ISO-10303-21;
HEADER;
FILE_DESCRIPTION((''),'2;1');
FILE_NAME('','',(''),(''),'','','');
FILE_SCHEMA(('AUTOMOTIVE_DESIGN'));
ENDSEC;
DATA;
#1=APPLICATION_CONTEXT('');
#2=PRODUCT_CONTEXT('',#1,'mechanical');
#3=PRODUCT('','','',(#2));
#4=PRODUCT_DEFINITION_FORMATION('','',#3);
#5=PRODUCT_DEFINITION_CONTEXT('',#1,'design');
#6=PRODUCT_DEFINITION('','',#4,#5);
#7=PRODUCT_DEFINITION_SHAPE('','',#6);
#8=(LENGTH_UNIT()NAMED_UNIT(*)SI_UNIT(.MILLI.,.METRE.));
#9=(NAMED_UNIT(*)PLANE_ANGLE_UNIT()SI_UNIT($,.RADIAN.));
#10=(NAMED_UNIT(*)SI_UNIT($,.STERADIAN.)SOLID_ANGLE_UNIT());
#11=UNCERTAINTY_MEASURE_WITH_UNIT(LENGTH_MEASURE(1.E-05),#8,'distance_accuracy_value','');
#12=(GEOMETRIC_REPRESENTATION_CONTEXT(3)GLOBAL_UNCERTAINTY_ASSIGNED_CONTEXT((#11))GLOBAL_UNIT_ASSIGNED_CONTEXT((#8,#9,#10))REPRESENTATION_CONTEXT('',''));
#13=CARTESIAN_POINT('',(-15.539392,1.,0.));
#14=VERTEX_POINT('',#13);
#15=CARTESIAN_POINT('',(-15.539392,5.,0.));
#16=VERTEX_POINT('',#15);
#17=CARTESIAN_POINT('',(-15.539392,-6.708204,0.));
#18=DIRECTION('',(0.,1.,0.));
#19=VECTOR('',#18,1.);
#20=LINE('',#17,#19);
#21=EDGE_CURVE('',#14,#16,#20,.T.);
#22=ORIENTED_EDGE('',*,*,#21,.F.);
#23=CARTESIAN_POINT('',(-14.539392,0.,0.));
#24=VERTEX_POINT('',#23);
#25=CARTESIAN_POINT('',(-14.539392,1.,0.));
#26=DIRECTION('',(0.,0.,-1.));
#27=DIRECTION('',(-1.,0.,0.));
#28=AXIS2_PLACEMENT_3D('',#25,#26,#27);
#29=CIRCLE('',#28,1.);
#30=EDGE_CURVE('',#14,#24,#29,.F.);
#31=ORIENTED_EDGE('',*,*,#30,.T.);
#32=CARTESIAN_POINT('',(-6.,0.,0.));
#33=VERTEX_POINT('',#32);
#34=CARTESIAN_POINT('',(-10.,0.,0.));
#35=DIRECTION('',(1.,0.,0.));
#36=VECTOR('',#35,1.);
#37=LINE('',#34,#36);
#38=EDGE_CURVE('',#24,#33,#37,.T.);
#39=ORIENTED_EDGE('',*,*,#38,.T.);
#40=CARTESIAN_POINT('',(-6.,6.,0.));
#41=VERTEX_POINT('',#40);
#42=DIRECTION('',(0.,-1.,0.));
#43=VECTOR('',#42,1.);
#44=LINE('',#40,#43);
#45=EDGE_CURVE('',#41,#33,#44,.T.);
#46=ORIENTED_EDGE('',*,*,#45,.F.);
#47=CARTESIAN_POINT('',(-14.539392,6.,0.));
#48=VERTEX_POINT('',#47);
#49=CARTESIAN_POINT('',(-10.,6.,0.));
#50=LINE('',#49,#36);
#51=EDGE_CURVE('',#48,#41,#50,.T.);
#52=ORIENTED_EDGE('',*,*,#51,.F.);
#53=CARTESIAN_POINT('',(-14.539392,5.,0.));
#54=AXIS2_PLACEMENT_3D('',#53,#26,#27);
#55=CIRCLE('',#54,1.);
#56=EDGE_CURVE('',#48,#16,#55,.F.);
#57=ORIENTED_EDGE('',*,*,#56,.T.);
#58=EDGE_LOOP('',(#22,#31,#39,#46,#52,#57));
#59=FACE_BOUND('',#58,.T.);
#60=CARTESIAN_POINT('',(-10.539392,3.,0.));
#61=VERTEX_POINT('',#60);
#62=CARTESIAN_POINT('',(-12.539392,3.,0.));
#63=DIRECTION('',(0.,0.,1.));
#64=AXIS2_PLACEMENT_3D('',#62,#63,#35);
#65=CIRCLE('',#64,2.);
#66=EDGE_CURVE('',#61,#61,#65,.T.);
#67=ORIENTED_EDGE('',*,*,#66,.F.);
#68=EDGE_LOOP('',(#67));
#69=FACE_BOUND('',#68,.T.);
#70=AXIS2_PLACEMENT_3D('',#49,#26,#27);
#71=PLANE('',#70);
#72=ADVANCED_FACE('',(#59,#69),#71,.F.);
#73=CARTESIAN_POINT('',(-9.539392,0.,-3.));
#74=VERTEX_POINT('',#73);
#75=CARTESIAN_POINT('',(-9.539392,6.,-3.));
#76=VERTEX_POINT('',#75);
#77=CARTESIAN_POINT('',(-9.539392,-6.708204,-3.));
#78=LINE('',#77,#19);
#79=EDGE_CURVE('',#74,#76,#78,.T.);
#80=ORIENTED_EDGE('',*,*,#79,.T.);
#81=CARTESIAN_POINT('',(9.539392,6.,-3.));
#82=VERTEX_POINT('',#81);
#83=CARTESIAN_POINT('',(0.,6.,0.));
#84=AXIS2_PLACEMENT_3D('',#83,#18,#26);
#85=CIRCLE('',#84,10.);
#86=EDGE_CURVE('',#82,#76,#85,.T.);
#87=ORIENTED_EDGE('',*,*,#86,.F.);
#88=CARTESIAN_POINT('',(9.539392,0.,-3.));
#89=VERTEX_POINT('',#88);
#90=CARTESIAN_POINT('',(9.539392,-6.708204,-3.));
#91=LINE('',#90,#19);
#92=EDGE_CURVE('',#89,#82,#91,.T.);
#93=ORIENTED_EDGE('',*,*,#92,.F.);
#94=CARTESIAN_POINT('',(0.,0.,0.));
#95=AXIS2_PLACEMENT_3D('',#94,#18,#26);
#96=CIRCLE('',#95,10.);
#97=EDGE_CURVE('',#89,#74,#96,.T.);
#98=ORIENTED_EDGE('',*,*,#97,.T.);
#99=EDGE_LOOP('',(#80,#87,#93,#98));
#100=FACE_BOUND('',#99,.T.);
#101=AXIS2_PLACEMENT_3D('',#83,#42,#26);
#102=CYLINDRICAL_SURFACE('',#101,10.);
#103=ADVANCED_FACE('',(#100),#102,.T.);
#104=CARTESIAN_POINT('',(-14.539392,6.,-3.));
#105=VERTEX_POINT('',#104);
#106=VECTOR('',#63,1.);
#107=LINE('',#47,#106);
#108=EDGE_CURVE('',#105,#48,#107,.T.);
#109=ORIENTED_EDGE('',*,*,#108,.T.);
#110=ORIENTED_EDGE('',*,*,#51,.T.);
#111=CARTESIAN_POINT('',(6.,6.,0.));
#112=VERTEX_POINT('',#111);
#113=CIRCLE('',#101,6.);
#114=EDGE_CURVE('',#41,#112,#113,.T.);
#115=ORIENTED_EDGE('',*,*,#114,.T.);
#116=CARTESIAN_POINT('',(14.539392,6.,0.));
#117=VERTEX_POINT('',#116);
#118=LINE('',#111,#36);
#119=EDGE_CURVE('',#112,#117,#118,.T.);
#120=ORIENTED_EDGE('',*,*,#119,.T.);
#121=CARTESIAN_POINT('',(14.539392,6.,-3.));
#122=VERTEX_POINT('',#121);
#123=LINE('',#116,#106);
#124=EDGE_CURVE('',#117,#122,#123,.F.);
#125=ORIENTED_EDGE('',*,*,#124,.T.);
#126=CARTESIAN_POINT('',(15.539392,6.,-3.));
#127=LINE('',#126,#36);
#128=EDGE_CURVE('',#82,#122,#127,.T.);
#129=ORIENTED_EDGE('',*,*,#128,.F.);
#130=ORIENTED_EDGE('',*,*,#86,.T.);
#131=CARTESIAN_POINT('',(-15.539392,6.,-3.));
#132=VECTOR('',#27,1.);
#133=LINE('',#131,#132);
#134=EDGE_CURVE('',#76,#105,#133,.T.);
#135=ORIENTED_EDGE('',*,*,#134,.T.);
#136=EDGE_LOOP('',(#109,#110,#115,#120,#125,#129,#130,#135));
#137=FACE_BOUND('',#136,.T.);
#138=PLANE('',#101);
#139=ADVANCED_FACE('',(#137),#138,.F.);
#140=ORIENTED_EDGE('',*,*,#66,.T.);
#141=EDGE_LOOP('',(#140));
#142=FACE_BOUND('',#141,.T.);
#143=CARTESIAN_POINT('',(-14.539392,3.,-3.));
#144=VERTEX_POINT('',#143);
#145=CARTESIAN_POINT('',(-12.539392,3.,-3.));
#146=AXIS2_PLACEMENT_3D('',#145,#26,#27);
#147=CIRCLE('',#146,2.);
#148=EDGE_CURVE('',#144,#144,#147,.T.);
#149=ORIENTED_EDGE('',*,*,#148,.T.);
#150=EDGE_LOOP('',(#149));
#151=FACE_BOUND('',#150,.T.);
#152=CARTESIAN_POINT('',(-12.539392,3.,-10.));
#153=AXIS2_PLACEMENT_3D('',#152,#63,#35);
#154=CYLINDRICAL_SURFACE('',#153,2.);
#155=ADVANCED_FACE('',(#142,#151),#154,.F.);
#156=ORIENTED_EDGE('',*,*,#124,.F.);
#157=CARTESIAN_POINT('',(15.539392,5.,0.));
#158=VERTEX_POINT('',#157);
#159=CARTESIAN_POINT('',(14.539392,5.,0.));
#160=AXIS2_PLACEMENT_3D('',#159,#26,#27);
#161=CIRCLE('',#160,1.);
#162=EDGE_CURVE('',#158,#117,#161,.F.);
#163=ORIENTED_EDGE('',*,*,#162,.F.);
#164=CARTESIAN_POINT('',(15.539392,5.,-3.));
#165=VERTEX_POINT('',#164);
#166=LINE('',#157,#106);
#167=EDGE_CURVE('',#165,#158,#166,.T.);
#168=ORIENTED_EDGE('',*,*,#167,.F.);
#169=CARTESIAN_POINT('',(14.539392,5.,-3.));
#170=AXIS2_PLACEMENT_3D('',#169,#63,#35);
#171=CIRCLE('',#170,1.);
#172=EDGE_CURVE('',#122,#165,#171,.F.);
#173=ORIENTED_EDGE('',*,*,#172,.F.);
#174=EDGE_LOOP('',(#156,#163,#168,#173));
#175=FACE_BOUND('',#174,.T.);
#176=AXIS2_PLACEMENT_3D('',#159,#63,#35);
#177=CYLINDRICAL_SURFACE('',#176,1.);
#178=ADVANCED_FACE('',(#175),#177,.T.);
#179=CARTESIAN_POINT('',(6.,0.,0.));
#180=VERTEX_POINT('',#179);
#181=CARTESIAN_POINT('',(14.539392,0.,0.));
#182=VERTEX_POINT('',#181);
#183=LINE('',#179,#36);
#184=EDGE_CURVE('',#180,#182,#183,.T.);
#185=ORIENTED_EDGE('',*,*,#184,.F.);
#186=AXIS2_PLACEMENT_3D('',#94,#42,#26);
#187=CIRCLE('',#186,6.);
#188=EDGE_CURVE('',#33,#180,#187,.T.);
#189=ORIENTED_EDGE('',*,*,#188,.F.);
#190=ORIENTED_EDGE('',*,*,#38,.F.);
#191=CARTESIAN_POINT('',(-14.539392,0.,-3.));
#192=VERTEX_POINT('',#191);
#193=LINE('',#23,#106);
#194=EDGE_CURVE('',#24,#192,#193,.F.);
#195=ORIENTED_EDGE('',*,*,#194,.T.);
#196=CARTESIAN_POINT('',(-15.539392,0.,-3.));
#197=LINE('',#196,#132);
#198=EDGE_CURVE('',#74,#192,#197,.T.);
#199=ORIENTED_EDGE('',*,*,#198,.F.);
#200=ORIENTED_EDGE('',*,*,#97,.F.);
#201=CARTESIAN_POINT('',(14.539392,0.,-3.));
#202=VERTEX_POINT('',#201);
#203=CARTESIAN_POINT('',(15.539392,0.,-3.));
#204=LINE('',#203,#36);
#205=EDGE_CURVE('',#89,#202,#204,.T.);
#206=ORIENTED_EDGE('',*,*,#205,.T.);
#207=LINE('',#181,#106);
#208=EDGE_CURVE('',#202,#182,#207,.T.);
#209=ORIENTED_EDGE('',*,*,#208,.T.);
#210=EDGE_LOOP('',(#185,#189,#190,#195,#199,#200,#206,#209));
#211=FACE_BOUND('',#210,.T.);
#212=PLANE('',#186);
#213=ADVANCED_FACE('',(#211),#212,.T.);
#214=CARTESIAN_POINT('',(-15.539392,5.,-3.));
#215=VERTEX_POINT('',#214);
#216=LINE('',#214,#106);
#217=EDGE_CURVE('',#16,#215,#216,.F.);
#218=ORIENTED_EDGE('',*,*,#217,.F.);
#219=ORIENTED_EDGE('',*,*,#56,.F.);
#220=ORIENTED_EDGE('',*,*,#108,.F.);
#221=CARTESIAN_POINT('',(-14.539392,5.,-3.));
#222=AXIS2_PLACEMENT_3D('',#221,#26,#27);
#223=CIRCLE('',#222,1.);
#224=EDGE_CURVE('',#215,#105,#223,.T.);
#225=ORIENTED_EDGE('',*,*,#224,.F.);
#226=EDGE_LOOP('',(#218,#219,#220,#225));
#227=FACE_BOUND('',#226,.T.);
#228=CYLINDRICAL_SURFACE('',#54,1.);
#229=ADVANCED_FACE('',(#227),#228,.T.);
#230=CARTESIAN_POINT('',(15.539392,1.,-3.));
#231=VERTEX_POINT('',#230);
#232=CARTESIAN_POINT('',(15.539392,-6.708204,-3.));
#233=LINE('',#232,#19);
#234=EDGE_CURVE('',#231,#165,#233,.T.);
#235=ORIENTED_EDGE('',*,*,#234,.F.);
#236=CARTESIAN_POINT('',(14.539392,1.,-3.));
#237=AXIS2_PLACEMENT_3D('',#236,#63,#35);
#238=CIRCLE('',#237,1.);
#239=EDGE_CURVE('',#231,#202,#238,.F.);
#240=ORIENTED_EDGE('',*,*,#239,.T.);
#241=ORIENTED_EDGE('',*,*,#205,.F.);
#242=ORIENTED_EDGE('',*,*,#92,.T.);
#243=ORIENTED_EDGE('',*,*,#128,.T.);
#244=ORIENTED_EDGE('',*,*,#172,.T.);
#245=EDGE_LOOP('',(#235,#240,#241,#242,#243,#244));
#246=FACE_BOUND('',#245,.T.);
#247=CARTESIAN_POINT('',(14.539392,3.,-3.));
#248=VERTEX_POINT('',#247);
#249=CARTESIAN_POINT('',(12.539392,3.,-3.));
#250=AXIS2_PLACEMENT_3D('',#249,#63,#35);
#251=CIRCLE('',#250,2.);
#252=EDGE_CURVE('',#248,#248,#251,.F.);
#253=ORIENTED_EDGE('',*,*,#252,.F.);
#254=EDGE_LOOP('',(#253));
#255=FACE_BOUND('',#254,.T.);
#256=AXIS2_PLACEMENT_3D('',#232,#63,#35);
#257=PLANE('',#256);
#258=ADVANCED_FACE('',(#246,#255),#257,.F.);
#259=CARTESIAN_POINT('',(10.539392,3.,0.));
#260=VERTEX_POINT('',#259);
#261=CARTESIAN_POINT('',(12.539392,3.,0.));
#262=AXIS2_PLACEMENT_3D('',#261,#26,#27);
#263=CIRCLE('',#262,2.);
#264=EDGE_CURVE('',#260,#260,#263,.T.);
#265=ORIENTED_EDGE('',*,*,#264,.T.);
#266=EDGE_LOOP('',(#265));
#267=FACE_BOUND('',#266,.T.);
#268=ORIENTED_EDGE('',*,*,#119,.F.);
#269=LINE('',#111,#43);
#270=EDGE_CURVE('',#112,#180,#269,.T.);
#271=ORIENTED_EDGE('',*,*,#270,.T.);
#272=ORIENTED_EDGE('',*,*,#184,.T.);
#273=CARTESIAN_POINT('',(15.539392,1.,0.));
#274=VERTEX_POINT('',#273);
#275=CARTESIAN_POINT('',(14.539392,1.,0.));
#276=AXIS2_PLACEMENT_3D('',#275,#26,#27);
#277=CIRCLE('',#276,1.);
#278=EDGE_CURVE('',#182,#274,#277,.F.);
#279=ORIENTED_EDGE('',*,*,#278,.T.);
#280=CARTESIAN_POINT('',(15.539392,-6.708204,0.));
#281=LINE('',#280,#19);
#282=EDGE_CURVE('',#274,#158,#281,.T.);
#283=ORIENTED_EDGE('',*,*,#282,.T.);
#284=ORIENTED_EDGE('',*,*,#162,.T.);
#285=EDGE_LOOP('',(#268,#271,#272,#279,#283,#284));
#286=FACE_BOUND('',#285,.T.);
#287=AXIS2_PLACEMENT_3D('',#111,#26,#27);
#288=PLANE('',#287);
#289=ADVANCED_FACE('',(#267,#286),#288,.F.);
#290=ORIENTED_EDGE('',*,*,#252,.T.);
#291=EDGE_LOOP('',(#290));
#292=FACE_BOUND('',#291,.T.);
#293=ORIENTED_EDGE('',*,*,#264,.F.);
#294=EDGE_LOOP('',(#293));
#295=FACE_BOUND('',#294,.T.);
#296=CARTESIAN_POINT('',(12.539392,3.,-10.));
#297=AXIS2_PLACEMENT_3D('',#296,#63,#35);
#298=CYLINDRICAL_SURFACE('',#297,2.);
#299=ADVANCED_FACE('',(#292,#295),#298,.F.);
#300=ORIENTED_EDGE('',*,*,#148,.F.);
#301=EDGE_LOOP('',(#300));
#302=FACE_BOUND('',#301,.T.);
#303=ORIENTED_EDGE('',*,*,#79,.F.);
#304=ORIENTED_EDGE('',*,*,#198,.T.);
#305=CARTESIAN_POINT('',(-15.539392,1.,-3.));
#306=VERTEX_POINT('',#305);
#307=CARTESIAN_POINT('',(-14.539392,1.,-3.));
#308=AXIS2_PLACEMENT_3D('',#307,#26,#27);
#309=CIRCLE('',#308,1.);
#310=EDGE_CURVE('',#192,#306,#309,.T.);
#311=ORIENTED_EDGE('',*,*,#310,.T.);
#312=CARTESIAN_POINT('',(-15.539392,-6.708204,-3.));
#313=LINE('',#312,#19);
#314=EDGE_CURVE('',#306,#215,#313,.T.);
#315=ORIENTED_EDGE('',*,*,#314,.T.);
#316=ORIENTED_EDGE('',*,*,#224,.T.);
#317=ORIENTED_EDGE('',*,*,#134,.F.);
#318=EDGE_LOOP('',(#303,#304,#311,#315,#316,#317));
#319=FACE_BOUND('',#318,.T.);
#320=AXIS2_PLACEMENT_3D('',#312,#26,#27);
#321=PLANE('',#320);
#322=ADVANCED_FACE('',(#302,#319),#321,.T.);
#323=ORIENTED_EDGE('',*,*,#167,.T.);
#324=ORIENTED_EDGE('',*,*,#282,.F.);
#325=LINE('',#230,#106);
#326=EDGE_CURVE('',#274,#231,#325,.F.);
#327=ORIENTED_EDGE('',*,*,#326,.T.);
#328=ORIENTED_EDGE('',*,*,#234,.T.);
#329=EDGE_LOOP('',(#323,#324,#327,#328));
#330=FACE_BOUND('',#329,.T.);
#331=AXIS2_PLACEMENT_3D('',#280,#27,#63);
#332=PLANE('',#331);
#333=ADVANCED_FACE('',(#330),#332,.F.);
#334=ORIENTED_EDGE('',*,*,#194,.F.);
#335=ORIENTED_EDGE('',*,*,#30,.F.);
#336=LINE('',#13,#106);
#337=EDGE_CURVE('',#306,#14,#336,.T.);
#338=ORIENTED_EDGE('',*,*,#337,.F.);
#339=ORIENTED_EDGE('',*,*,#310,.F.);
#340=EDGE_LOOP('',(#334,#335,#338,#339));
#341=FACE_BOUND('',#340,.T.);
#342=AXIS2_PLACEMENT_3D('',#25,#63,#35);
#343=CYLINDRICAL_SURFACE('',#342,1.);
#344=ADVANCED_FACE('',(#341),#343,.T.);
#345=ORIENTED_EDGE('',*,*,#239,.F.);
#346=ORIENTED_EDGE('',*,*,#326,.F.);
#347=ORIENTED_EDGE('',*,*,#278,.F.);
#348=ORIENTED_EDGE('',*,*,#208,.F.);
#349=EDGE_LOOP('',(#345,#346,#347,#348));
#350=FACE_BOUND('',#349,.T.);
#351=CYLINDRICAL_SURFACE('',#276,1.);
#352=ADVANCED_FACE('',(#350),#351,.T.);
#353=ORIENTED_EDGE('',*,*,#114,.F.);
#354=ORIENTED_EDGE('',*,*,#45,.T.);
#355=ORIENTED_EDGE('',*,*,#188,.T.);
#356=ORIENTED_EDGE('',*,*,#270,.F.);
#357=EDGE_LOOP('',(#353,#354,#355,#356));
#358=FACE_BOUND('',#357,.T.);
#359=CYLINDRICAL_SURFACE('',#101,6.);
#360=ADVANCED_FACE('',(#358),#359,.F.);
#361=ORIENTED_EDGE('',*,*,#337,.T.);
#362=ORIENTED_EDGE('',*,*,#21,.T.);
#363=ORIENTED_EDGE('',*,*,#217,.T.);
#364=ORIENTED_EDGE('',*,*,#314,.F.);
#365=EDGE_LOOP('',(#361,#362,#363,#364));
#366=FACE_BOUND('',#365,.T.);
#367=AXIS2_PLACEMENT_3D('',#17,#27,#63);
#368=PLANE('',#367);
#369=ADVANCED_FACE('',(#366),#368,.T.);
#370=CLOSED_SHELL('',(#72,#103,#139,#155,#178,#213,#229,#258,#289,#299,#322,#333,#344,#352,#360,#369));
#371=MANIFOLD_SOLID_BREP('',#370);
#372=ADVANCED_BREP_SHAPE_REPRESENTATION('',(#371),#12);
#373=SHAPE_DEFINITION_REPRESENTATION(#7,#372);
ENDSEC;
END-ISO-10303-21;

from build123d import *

# Parameters (mm, degrees)
BOSS_EXTRUDE1_DEPTH = 6
BOSS_EXTRUDE2_DEPTH = 6
SKETCH4_R           = 2
CUT_EXTRUDE2_DEPTH  = 11
FILLET1_R           = 1


with BuildPart() as part:
    # Sketch1 → Boss-Extrude1 (new body)
    with BuildSketch(Plane(origin=(0, 0, 0), x_dir=(1, 0, 0), z_dir=(0, 1, 0))):
        with BuildLine():
            Line((-10, 0), (-6, 0))
            ThreePointArc((-6, 0), (0, 6), (6, 0))
            Line((6, 0), (10, 0))
            ThreePointArc((10, 0), (0, 10), (-10, 0))
        make_face()
    extrude(amount=BOSS_EXTRUDE1_DEPTH)

    # Sketch3 → Boss-Extrude2 (add)
    with BuildSketch(Plane(origin=(0, 6, 0), x_dir=(1, 0, 0), z_dir=(0, 1, 0))):
        with BuildLine():
            Line((-10, 0), (-15.539392014, 0))
            Line((-15.539392014, 0), (-15.539392014, 3))
            Line((-15.539392014, 3), (-9.539392014, 3))
            ThreePointArc((-9.539392014, 3), (-9.884177258, 1.517576993), (-10, 0))
        make_face()
    boss_extrude2 = extrude(amount=-BOSS_EXTRUDE2_DEPTH)

    # Sketch4 → Cut-Extrude2 (cut, through all)
    with BuildSketch(Plane.XY):
        with Locations((-12.539392014, 3)):
            Circle(SKETCH4_R)
    cut_extrude2 = extrude(amount=-CUT_EXTRUDE2_DEPTH, mode=Mode.SUBTRACT)

    # Mirror2: Boss-Extrude2, Cut-Extrude2 across plane
    add(boss_extrude2.mirror(Plane(origin=(0, 0, 0), x_dir=(0, 0, 1), z_dir=(1, 0, 0))))
    add(cut_extrude2.mirror(Plane(origin=(0, 0, 0), x_dir=(0, 0, 1), z_dir=(1, 0, 0))), mode=Mode.SUBTRACT)

    # Fillet1
    fillet1_edges = [part.edges().sort_by_distance(p)[0] for p in [
        (-15.539392014, 6, -1.5),
        (-15.539392014, 0, -1.5),
        (15.539392014, 6, -1.5),
        (15.539392014, 0, -1.5),
    ]]
    fillet(fillet1_edges, radius=FILLET1_R)


solid = part.part
